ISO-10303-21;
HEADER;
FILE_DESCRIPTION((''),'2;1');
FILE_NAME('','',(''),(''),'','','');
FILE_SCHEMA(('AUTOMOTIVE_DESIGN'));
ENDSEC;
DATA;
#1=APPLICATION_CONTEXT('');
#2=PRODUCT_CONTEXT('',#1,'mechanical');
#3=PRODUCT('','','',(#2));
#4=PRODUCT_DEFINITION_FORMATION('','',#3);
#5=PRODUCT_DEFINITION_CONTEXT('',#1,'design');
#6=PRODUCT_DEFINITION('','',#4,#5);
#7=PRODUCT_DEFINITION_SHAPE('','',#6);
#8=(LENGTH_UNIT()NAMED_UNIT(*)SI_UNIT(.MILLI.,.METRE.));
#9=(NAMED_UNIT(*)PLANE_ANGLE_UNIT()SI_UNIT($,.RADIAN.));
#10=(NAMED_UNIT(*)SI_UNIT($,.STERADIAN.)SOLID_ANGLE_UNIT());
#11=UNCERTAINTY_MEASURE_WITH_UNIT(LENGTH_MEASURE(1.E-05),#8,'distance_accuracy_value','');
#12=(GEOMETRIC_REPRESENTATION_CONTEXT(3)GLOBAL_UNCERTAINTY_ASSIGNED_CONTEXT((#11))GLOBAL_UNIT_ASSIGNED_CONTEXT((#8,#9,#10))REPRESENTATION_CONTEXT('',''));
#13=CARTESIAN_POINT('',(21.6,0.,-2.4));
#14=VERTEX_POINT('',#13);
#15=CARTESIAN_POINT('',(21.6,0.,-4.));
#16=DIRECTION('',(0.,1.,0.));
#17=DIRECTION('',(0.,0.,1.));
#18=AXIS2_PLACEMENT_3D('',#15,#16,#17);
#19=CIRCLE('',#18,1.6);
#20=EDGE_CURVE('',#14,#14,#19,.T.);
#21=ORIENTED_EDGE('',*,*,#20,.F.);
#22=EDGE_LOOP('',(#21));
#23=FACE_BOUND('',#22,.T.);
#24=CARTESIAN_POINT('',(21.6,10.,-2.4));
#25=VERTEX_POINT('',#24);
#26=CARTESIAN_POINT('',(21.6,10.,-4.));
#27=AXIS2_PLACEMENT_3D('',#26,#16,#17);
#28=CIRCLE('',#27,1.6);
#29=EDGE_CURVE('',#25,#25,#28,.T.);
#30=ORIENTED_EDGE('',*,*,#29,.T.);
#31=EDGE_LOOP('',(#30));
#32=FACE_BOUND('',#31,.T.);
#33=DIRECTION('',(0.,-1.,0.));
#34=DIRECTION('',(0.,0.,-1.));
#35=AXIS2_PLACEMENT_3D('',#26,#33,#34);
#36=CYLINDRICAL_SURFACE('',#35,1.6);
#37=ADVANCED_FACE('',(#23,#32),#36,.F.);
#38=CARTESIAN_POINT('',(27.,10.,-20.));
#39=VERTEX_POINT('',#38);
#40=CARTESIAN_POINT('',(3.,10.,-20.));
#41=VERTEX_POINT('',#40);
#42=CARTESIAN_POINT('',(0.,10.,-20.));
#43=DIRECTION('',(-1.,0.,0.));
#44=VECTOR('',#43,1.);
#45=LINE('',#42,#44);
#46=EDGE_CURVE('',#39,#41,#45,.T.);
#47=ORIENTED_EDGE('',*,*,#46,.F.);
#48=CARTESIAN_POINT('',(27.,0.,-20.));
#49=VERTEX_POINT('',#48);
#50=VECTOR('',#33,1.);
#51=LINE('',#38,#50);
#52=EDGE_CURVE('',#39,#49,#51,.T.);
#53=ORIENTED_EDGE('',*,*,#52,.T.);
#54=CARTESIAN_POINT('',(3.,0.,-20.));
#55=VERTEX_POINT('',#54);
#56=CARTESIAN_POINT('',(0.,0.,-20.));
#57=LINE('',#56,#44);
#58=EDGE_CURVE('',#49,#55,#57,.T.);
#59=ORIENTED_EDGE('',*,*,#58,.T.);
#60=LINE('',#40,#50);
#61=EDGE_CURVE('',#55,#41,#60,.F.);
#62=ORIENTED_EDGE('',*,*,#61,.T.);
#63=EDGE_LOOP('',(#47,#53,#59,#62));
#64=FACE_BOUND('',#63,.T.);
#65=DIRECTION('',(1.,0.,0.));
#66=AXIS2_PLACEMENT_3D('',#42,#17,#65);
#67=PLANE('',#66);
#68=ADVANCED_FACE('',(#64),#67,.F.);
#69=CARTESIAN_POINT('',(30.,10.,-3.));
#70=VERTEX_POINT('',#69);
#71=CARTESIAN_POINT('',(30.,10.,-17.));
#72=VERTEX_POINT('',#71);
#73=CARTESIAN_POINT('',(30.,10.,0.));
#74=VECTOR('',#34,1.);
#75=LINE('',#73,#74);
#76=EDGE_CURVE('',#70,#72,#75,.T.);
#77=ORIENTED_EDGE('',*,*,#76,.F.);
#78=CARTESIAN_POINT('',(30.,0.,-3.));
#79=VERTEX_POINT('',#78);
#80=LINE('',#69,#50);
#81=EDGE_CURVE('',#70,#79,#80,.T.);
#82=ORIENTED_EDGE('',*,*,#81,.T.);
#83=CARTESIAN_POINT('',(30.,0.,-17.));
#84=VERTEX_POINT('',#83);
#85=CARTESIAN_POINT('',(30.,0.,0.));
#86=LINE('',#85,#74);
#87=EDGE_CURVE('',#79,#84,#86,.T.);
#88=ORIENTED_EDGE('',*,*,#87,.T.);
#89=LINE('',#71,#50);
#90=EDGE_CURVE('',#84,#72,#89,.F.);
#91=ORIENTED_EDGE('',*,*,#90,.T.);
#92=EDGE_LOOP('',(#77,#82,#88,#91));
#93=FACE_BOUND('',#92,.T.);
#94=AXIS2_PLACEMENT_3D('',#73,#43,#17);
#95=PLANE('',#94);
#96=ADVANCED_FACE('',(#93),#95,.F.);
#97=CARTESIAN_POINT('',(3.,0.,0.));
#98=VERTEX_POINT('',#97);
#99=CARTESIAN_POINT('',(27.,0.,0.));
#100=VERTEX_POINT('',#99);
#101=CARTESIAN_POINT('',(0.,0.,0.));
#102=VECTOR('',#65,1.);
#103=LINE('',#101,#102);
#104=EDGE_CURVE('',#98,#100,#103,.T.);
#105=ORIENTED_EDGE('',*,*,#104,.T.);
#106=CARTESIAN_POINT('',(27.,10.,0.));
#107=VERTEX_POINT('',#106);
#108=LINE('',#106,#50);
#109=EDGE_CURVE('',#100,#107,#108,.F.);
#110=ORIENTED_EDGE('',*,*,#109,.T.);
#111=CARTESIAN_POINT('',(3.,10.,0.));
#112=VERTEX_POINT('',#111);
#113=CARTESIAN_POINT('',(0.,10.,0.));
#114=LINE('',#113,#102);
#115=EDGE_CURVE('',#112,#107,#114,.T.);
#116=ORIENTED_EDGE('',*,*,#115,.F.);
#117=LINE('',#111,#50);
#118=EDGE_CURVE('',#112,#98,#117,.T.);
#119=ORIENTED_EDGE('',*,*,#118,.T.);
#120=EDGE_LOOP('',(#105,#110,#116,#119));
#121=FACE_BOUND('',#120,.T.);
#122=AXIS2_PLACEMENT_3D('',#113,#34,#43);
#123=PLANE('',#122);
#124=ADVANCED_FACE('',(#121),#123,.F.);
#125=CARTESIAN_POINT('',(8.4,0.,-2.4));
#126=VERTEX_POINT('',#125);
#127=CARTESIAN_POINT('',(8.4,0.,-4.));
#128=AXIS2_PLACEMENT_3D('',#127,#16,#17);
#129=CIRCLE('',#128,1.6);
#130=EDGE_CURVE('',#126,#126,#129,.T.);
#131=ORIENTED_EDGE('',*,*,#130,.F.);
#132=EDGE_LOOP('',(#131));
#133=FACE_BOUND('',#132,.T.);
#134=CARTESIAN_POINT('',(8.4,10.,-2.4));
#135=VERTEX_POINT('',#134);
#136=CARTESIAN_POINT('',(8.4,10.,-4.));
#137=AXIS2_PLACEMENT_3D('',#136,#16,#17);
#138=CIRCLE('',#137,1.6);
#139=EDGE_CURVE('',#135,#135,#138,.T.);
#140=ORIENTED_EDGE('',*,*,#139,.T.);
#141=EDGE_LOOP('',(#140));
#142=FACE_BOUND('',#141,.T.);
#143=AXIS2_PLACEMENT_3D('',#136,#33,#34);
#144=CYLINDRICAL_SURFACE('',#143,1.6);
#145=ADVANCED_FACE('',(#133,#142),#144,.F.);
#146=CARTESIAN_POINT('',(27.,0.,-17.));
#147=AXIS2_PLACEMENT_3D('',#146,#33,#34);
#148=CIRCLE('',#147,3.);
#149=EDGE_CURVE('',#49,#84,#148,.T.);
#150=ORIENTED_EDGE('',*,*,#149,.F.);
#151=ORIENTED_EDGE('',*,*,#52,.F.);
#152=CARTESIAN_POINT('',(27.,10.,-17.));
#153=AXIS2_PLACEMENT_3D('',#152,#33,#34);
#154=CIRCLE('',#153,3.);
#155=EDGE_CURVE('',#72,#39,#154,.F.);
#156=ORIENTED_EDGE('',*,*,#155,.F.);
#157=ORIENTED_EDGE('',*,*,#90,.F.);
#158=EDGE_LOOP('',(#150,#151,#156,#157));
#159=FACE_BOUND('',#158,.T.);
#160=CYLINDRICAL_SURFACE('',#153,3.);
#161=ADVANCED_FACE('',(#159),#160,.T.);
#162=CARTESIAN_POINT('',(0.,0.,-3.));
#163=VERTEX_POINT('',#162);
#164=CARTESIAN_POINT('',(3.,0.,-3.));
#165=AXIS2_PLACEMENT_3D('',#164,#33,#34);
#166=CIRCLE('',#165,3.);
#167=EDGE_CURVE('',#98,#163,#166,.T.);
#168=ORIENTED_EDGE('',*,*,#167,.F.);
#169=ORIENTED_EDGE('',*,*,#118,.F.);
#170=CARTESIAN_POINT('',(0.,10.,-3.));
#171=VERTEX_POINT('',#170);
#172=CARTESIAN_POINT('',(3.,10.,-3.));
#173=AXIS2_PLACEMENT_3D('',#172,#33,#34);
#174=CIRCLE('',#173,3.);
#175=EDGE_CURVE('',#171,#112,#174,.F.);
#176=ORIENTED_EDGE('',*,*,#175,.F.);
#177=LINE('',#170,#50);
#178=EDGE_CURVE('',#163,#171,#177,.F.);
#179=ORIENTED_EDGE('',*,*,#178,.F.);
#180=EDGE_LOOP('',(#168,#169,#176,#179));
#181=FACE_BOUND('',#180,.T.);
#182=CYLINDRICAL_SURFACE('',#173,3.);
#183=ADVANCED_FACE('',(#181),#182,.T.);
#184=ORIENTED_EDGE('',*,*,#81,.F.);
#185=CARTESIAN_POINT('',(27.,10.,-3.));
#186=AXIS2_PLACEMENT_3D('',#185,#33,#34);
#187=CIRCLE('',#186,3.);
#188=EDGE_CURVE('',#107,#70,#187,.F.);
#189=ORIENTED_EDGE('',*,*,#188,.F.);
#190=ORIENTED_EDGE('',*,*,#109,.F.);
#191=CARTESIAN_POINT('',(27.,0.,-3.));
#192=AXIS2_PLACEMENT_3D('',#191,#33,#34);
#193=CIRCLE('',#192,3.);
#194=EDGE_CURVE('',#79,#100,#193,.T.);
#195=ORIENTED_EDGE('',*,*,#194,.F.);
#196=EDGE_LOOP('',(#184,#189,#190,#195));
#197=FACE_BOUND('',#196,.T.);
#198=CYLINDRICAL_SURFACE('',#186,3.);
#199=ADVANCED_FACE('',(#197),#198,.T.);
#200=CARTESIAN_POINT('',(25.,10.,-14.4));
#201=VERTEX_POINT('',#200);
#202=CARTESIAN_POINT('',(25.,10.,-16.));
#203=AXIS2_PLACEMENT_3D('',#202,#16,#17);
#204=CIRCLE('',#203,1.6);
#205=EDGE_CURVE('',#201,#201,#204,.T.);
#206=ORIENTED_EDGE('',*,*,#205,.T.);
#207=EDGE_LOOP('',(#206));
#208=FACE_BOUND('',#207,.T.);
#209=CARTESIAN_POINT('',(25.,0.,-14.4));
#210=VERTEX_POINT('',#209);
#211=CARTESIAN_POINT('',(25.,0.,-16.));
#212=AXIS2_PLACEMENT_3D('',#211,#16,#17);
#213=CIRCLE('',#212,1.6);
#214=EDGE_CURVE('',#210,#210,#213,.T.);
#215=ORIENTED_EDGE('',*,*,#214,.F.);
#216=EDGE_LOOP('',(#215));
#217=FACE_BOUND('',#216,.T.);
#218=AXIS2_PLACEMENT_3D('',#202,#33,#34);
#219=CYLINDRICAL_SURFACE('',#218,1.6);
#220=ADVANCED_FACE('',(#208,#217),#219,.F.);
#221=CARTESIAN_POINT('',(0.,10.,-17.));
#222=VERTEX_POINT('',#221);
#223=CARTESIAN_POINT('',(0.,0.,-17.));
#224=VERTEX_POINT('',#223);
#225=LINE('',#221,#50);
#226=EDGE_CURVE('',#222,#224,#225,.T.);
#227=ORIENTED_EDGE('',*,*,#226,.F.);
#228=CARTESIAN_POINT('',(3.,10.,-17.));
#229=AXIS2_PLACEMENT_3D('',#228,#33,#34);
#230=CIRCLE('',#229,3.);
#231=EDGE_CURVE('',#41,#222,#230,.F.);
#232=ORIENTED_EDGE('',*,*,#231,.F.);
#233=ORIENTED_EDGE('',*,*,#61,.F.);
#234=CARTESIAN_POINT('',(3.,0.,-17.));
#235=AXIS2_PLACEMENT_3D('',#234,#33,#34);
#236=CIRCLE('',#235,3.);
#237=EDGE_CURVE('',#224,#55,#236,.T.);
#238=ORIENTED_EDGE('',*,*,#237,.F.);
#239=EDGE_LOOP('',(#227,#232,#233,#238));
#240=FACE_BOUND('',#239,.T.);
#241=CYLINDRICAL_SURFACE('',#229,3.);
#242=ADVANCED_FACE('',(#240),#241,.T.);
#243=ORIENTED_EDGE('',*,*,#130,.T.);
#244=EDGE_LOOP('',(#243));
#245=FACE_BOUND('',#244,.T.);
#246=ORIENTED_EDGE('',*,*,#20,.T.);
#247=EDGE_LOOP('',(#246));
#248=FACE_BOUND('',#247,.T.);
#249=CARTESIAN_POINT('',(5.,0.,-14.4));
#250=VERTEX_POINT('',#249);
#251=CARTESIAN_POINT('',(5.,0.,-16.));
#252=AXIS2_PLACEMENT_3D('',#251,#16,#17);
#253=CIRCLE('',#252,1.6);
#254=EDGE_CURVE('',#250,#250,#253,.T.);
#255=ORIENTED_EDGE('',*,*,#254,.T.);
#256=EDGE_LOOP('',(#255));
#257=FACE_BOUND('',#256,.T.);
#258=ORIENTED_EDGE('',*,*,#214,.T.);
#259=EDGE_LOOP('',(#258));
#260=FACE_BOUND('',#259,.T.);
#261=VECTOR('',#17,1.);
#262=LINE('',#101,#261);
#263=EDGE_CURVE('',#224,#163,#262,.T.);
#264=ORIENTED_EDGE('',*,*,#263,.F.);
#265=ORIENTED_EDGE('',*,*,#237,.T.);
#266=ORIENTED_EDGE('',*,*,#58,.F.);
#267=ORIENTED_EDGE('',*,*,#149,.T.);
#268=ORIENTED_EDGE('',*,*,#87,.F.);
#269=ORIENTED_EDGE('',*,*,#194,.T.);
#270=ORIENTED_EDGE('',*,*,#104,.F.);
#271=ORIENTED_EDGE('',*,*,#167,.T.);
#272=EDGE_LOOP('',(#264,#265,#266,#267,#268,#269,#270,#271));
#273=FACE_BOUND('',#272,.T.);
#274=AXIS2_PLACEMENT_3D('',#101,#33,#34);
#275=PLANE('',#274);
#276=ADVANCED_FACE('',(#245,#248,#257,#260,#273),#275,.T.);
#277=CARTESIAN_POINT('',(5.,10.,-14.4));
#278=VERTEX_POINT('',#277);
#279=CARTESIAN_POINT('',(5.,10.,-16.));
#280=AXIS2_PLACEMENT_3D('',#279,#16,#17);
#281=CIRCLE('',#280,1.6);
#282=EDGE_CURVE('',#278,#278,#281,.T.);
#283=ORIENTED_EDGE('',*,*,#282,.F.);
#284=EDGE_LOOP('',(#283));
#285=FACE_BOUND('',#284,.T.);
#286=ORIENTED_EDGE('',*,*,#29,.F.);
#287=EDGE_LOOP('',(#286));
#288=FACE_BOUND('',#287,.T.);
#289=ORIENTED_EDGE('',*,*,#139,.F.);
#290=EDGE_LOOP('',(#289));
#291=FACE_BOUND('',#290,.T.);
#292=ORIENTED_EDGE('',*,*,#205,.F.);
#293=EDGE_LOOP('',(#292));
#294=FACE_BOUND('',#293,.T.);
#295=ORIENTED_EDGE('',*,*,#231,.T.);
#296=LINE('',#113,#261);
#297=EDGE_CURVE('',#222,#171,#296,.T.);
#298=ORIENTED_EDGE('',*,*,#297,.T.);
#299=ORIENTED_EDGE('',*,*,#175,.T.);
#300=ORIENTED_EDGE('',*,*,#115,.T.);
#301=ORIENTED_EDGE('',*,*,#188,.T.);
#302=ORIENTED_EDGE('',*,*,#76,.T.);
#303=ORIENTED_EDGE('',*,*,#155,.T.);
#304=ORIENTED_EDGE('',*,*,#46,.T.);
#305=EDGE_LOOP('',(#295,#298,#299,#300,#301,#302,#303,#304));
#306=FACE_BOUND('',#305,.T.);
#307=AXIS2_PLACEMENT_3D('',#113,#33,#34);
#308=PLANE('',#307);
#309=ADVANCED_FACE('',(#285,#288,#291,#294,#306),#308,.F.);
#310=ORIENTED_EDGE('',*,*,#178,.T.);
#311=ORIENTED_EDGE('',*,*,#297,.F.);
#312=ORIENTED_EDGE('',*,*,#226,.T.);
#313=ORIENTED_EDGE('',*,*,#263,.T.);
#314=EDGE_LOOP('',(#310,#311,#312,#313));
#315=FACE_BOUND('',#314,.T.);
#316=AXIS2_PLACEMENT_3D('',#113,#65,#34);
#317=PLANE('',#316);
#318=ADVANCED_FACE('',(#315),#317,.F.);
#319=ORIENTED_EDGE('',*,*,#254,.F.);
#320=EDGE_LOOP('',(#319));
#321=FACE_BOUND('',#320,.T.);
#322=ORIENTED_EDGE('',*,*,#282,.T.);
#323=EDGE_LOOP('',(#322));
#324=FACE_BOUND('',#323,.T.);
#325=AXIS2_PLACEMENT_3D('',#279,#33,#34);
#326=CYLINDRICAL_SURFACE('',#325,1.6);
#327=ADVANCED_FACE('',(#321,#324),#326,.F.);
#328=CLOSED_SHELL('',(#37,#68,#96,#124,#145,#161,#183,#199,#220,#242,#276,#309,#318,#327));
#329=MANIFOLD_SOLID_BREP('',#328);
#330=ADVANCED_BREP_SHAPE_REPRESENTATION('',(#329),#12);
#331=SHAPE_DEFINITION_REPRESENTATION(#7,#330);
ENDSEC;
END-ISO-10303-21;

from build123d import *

# Parameters (mm, degrees)
SKETCH2_W           = 30
SKETCH2_H           = 20
SKETCH2_R           = 1.6
BOSS_EXTRUDE1_DEPTH = 10
FILLET1_R           = 3


with BuildPart() as part:
    # Sketch2 → Boss-Extrude1 (new body)
    with BuildSketch(Plane(origin=(0, 0, 0), x_dir=(1, 0, 0), z_dir=(0, 1, 0))):
        with Locations((15, 10)):
            Rectangle(SKETCH2_W, SKETCH2_H)
        with Locations(Location((5, 16, 0), (0, 0, 270))):
            Circle(SKETCH2_R, mode=Mode.SUBTRACT)
        with Locations(Location((25, 16, 0), (0, 0, 270))):
            Circle(SKETCH2_R, mode=Mode.SUBTRACT)
        with Locations(Location((8.4, 4, 0), (0, 0, 270))):
            Circle(SKETCH2_R, mode=Mode.SUBTRACT)
        with Locations(Location((21.6, 4, 0), (0, 0, 270))):
            Circle(SKETCH2_R, mode=Mode.SUBTRACT)
    extrude(amount=BOSS_EXTRUDE1_DEPTH)

    # Fillet1
    fillet1_edges = [part.edges().sort_by_distance(p)[0] for p in [
        (0, 5, -20),
        (30, 5, -20),
        (30, 5, 0),
        (0, 5, 0),
    ]]
    fillet(fillet1_edges, radius=FILLET1_R)


solid = part.part
